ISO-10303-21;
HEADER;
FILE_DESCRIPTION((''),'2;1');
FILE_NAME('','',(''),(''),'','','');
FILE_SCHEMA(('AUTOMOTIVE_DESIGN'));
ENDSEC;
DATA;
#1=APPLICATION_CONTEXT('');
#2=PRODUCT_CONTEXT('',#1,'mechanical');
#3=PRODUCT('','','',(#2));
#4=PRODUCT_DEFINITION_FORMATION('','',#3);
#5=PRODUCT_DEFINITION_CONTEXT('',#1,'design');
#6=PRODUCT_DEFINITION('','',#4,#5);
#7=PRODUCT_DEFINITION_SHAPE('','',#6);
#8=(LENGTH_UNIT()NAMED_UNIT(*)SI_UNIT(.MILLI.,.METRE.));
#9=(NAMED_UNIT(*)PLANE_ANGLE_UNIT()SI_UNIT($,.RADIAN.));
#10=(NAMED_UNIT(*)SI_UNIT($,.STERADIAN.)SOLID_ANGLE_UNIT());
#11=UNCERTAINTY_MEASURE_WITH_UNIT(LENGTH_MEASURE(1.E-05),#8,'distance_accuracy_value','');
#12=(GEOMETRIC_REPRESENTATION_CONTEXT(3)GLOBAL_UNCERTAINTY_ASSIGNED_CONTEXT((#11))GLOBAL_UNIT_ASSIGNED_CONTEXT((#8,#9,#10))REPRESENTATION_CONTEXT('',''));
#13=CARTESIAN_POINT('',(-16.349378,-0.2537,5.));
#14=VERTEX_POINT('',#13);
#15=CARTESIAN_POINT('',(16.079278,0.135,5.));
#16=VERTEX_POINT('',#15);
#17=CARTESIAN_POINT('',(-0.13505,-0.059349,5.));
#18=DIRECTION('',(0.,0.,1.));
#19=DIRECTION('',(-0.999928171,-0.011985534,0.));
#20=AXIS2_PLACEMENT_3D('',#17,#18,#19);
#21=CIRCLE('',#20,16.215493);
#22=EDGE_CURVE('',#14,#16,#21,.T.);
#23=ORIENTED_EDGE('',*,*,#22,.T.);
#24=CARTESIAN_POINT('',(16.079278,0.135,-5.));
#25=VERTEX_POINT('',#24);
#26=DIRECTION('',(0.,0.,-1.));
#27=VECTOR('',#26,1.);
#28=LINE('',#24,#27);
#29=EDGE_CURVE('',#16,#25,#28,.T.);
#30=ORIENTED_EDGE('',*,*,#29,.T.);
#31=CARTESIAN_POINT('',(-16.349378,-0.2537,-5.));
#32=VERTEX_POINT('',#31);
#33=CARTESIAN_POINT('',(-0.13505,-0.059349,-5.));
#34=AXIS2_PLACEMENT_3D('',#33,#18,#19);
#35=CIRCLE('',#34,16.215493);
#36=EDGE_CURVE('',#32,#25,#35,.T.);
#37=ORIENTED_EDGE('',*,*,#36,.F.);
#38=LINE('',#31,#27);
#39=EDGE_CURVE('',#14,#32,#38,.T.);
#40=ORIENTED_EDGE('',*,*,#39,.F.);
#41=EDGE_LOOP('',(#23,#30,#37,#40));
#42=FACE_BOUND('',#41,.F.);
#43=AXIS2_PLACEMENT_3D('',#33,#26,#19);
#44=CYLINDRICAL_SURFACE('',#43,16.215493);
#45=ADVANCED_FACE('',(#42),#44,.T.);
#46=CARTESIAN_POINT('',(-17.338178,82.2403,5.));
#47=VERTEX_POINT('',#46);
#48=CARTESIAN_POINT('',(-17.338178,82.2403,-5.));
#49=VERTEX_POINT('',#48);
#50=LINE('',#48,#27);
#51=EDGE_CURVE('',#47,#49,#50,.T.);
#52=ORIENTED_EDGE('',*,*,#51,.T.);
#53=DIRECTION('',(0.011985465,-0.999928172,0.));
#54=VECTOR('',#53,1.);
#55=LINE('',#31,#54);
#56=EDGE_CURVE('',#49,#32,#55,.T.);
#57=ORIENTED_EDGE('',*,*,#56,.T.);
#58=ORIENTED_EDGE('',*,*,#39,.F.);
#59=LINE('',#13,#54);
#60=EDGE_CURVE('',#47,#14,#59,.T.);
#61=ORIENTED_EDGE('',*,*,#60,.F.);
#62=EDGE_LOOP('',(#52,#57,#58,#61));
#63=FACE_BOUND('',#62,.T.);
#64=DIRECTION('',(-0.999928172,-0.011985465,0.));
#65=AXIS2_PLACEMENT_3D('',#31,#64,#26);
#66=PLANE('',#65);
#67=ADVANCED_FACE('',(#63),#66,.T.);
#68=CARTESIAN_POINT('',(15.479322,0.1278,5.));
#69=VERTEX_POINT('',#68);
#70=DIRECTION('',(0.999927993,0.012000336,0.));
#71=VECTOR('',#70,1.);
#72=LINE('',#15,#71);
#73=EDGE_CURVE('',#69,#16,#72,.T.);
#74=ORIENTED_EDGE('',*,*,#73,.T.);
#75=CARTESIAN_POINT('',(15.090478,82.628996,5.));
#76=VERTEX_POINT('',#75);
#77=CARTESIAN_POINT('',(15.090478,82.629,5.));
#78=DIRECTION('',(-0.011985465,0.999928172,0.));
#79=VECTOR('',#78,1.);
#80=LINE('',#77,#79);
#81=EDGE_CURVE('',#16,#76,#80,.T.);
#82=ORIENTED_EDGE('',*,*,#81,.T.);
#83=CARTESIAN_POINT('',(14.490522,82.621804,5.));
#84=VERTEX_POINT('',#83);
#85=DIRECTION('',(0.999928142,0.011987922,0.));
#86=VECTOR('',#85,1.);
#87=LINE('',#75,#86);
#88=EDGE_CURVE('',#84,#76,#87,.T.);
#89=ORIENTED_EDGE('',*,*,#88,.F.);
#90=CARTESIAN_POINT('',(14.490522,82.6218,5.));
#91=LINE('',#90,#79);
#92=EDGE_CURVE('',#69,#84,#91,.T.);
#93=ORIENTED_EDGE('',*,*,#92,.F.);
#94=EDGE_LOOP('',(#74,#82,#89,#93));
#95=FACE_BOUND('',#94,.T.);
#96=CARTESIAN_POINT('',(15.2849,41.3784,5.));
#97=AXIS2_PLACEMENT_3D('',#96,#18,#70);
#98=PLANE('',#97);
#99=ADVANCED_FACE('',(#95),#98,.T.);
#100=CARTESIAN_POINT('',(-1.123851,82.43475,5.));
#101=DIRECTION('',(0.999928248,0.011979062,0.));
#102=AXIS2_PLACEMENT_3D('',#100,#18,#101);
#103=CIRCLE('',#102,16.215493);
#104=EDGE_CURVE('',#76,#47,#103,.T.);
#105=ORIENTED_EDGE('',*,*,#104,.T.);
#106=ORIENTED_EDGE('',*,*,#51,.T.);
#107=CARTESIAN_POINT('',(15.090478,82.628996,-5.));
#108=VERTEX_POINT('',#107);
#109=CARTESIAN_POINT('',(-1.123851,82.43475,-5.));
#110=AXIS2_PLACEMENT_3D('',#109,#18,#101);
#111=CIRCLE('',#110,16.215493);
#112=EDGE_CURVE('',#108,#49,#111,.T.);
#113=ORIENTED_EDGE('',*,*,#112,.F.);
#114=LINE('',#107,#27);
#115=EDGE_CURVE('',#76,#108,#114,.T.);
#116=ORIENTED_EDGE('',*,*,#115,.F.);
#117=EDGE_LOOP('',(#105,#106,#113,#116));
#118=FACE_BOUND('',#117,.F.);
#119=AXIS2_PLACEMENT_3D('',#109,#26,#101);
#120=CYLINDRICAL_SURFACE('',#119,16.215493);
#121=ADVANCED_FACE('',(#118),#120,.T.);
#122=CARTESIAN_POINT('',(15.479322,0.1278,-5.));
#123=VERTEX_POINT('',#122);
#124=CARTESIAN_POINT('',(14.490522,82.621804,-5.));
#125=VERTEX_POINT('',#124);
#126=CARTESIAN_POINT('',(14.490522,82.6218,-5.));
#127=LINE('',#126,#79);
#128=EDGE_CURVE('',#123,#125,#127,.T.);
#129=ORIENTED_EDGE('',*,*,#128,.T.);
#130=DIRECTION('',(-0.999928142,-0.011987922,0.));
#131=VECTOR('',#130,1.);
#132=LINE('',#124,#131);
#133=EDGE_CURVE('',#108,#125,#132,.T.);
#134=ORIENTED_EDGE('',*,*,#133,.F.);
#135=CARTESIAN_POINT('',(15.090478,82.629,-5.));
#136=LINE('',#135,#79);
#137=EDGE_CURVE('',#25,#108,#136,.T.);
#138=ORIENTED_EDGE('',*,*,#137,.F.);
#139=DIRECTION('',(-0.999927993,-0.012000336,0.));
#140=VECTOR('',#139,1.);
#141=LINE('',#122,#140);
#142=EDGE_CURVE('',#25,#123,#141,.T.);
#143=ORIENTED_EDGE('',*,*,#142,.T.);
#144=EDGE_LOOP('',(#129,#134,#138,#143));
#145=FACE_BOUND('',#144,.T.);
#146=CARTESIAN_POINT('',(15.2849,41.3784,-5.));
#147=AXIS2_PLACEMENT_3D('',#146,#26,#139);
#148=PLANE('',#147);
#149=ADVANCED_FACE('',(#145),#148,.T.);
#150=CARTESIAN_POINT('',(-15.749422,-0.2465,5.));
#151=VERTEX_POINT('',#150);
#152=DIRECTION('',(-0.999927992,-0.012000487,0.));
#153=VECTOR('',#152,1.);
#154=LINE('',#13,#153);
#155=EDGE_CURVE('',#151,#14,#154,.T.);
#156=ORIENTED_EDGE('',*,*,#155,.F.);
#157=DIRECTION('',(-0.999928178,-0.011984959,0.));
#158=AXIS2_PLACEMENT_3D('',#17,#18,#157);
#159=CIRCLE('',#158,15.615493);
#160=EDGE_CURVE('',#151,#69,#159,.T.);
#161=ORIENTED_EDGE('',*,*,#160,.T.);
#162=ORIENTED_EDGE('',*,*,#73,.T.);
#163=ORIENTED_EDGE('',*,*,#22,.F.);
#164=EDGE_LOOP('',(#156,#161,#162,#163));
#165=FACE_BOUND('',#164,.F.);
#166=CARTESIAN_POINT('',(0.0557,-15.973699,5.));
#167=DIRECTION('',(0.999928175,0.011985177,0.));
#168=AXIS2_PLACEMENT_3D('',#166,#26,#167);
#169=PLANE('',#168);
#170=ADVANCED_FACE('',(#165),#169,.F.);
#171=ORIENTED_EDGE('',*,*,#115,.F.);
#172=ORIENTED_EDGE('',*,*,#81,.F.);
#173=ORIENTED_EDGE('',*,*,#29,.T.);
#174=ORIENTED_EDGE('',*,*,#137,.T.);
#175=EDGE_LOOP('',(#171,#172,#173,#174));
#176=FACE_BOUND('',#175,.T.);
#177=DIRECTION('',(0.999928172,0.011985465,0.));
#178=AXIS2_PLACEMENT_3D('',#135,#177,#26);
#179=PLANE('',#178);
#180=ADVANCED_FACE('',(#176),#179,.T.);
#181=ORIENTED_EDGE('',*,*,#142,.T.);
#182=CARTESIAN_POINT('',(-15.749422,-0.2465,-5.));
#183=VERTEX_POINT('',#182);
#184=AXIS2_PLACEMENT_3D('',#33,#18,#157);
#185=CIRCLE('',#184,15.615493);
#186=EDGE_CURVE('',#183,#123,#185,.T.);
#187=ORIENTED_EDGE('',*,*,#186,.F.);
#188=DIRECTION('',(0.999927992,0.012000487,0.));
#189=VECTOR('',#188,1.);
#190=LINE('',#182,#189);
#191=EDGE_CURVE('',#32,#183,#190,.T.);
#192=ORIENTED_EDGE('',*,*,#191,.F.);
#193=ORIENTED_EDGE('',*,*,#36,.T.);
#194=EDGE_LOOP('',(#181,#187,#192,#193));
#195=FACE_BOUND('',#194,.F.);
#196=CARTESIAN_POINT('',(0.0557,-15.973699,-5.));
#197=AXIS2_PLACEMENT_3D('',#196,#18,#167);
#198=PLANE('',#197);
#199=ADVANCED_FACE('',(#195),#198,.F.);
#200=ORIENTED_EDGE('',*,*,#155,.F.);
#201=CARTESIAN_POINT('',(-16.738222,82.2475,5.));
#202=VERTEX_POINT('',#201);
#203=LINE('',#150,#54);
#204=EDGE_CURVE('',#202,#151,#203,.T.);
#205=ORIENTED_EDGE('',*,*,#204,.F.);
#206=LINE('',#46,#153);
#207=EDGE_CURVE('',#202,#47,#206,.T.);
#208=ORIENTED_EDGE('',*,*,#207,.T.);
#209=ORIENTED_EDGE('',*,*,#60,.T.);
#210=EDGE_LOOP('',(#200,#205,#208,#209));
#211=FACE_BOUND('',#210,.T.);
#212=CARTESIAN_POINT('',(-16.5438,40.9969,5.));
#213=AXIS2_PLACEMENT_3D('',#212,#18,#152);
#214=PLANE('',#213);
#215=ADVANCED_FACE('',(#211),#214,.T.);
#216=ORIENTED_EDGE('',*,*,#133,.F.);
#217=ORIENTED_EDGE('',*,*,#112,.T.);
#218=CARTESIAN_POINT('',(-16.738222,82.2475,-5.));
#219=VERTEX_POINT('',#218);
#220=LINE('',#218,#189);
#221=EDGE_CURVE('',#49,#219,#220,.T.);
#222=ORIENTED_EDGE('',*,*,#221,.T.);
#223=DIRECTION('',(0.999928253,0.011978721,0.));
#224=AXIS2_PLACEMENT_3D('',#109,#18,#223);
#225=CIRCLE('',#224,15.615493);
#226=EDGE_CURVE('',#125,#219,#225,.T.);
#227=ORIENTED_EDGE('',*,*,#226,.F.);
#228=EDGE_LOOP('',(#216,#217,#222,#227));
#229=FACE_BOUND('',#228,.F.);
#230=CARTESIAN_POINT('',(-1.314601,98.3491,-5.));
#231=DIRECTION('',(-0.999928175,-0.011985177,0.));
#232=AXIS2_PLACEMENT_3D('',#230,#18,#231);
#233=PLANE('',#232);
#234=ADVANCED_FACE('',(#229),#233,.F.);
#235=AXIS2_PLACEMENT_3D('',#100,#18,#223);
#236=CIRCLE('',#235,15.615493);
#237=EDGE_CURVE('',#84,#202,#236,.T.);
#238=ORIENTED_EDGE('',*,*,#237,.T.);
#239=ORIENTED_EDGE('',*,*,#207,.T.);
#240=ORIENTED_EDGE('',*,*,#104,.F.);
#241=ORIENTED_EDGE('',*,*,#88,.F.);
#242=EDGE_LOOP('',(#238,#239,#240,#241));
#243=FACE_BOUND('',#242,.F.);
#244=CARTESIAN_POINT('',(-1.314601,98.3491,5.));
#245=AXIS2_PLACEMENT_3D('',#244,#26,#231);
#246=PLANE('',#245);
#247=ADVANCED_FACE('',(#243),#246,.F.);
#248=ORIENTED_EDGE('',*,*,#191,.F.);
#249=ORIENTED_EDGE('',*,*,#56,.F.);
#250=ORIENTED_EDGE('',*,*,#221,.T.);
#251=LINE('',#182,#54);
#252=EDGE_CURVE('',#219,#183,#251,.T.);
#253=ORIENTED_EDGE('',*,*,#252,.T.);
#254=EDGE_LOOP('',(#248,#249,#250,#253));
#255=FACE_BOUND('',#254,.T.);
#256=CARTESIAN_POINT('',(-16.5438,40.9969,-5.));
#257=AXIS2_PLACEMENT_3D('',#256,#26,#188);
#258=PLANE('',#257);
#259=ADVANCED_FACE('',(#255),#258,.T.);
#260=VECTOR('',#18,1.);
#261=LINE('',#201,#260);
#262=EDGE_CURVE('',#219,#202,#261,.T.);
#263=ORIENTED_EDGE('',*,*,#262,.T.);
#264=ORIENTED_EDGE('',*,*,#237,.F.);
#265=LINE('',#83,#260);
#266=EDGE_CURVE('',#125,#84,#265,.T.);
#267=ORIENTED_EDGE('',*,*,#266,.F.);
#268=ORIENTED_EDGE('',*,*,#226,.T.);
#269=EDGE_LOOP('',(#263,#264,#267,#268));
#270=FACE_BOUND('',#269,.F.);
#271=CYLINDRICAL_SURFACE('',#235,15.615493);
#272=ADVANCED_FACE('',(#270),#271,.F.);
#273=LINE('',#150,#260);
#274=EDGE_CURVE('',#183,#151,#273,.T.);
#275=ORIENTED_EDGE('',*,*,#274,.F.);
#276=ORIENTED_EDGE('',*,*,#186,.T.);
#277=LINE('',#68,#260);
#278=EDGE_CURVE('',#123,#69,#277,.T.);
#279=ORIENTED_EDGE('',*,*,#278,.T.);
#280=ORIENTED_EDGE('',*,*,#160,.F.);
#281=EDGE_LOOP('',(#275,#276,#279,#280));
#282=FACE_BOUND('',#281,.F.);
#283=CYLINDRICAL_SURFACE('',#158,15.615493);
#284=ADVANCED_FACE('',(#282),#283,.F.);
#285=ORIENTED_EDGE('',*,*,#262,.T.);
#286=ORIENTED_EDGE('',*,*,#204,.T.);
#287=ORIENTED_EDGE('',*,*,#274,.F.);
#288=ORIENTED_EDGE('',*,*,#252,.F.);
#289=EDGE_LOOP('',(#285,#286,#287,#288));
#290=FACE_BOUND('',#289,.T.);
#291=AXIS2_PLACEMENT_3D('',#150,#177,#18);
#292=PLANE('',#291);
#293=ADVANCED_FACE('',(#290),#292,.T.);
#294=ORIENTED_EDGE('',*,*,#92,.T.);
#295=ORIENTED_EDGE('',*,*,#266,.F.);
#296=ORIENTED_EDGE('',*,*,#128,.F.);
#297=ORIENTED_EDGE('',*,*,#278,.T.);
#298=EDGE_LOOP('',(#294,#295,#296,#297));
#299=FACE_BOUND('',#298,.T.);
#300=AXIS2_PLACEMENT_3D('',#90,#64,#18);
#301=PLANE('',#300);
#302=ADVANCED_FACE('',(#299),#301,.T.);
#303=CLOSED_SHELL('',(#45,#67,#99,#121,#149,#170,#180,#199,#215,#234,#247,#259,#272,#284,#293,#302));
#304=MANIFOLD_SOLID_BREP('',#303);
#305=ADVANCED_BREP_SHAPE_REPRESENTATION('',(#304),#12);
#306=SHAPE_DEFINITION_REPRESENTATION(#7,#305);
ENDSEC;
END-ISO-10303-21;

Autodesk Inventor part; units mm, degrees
sketch "Эскизная траектория" plane through (0, 0, 0) normal (0, 0, 1) x (1, 0, 0)
  arc A0 (-16.0494, -0.2501) -> (15.7793, 0.1314) centre (-0.1351, -0.0594) ccw
  arc A1 (14.7905, 82.6254) -> (-17.0382, 82.2439) centre (-1.1239, 82.4347) ccw
  line L0 (14.7905, 82.6254) -> (15.7793, 0.1314)
  line L1 (-16.0494, -0.2501) -> (-17.0382, 82.2439)
ref_plane "Плоскость сечения" through (15.7793, 0.1314, 0) normal (-0.012, 0.9999, 0) x (0, 0, 1)
ref_plane "РабПлоскость2" through (-0.1351, -0.0594, 0) normal (-1, 0, 0) x (0, 0, 1)
ref_plane "РабПлоскость3" through (-1.1239, 82.4347, 0) normal (0, -1, 0) x (0, 0, 1)
sketch "Сечение" plane through (15.7793, 0.1314, 0) normal (-0.012, 0.9999, 0) x (0, 0, 1)
  line L0 (-5, 0.3) -> (5, 0.3)
  line L1 (5, 0.3) -> (5, -0.3)
  line L2 (5, -0.3) -> (-5, -0.3)
  line L3 (-5, -0.3) -> (-5, 0.3)
  line L4 (-5, 0) -> (5, 0) construction
  point P0 (0, 0)
  point P1 (0, 0)
  dimension "d0" = 10
  dimension "d4" = 0.3
  dimension "d5" = 0.3
sweep "Ремень" add profiles "Сечение" path "Эскизная траектория"
equation "\"d0\" = da_B"
equation "\"d4\" = da_a"
equation "\"d5\" = da_a2"
equation "\"da_B\" = 10"
equation "\"da_pb\" = 2.5"
equation "\"da_L\" = 265"
equation "\"da_a\" = 0.3"
equation "\"da_S\" = 1.5"
equation "\"da_Beta\" = 20deg"
equation "\"da_Ht\" = 0.7"
equation "\"da_H\" = 2"
equation "\"da_a2\" = 0.3"
properties part number "Зубчатый ремень" material "Rubber"
